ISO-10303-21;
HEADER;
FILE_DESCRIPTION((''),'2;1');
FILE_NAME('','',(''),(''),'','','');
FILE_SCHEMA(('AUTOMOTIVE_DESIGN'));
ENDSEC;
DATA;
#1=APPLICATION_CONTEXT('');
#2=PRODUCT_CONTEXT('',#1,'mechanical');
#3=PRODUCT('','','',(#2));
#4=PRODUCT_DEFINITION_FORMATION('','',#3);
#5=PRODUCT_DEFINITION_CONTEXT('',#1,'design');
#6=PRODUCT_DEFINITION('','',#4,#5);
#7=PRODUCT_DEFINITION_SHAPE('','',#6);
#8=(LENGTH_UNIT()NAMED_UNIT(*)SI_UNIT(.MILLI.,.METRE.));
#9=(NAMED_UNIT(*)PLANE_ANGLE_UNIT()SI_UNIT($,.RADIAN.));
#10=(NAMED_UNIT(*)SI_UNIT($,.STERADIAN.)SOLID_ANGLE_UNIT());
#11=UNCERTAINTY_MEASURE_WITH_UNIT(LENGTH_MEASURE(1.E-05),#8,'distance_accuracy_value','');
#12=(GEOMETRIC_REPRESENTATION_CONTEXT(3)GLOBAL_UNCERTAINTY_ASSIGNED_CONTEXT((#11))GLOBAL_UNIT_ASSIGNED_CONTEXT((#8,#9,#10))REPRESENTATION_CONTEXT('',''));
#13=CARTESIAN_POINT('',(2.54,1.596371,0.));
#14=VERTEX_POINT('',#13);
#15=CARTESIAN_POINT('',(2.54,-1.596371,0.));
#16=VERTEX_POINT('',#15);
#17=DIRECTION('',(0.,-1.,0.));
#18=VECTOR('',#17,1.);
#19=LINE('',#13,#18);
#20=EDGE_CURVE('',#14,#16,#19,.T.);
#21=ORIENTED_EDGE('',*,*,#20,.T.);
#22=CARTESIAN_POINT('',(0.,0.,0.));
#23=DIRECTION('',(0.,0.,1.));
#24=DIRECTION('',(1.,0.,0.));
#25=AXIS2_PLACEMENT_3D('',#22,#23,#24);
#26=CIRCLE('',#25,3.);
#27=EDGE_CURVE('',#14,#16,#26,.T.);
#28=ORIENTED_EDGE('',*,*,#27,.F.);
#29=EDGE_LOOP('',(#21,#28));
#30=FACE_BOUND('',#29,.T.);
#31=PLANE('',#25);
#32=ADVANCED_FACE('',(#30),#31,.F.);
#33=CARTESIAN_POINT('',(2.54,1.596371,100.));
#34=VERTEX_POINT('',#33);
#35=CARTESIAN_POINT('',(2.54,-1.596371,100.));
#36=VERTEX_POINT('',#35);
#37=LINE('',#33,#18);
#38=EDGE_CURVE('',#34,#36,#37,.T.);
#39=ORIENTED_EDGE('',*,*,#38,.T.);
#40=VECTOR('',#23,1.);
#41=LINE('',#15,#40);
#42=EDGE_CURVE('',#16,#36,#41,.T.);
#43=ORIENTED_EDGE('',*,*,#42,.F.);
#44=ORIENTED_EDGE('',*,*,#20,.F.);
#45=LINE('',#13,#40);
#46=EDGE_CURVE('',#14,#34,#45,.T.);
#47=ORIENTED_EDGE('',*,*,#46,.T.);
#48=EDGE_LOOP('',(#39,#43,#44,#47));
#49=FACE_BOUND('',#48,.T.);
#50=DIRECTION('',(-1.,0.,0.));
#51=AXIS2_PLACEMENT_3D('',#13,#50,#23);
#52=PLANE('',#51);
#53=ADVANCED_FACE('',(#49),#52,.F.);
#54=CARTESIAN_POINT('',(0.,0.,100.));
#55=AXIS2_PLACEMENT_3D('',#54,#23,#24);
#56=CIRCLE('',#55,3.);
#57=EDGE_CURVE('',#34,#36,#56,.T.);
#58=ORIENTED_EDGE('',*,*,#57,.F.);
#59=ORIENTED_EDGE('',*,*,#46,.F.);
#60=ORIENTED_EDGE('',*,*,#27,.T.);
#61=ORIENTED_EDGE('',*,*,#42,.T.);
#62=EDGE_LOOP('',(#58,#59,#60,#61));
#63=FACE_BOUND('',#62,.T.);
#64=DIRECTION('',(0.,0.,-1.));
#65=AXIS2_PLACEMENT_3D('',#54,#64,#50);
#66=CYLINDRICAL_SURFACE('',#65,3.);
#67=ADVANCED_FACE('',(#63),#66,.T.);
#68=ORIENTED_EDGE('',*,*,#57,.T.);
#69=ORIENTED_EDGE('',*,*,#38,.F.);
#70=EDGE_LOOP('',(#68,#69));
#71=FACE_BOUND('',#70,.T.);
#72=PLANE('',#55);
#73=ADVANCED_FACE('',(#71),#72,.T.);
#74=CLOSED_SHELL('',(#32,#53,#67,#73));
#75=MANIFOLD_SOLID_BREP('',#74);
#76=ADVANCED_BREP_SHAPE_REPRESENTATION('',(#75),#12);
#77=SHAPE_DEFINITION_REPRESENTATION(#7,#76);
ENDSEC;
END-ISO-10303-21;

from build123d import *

# Parameters (mm, degrees)
SKETCH1_R           = 3
BOSS_EXTRUDE1_DEPTH = 100
CUT_EXTRUDE1_DEPTH  = 101.089959536


with BuildPart() as part:
    # Sketch1 → Boss-Extrude1 (new body)
    with BuildSketch(Plane.XY):
        Circle(SKETCH1_R)
    extrude(amount=BOSS_EXTRUDE1_DEPTH)

    # Sketch2 → Cut-Extrude1 (cut, through all)
    with BuildSketch(Plane.XY.offset(100)):
        with BuildLine():
            Line((2.54, 1.596370884), (2.54, -1.596370884))
            ThreePointArc((2.54, -1.596370884), (3, 0), (2.54, 1.596370884))
        make_face()
    extrude(amount=-CUT_EXTRUDE1_DEPTH, mode=Mode.SUBTRACT)


solid = part.part
